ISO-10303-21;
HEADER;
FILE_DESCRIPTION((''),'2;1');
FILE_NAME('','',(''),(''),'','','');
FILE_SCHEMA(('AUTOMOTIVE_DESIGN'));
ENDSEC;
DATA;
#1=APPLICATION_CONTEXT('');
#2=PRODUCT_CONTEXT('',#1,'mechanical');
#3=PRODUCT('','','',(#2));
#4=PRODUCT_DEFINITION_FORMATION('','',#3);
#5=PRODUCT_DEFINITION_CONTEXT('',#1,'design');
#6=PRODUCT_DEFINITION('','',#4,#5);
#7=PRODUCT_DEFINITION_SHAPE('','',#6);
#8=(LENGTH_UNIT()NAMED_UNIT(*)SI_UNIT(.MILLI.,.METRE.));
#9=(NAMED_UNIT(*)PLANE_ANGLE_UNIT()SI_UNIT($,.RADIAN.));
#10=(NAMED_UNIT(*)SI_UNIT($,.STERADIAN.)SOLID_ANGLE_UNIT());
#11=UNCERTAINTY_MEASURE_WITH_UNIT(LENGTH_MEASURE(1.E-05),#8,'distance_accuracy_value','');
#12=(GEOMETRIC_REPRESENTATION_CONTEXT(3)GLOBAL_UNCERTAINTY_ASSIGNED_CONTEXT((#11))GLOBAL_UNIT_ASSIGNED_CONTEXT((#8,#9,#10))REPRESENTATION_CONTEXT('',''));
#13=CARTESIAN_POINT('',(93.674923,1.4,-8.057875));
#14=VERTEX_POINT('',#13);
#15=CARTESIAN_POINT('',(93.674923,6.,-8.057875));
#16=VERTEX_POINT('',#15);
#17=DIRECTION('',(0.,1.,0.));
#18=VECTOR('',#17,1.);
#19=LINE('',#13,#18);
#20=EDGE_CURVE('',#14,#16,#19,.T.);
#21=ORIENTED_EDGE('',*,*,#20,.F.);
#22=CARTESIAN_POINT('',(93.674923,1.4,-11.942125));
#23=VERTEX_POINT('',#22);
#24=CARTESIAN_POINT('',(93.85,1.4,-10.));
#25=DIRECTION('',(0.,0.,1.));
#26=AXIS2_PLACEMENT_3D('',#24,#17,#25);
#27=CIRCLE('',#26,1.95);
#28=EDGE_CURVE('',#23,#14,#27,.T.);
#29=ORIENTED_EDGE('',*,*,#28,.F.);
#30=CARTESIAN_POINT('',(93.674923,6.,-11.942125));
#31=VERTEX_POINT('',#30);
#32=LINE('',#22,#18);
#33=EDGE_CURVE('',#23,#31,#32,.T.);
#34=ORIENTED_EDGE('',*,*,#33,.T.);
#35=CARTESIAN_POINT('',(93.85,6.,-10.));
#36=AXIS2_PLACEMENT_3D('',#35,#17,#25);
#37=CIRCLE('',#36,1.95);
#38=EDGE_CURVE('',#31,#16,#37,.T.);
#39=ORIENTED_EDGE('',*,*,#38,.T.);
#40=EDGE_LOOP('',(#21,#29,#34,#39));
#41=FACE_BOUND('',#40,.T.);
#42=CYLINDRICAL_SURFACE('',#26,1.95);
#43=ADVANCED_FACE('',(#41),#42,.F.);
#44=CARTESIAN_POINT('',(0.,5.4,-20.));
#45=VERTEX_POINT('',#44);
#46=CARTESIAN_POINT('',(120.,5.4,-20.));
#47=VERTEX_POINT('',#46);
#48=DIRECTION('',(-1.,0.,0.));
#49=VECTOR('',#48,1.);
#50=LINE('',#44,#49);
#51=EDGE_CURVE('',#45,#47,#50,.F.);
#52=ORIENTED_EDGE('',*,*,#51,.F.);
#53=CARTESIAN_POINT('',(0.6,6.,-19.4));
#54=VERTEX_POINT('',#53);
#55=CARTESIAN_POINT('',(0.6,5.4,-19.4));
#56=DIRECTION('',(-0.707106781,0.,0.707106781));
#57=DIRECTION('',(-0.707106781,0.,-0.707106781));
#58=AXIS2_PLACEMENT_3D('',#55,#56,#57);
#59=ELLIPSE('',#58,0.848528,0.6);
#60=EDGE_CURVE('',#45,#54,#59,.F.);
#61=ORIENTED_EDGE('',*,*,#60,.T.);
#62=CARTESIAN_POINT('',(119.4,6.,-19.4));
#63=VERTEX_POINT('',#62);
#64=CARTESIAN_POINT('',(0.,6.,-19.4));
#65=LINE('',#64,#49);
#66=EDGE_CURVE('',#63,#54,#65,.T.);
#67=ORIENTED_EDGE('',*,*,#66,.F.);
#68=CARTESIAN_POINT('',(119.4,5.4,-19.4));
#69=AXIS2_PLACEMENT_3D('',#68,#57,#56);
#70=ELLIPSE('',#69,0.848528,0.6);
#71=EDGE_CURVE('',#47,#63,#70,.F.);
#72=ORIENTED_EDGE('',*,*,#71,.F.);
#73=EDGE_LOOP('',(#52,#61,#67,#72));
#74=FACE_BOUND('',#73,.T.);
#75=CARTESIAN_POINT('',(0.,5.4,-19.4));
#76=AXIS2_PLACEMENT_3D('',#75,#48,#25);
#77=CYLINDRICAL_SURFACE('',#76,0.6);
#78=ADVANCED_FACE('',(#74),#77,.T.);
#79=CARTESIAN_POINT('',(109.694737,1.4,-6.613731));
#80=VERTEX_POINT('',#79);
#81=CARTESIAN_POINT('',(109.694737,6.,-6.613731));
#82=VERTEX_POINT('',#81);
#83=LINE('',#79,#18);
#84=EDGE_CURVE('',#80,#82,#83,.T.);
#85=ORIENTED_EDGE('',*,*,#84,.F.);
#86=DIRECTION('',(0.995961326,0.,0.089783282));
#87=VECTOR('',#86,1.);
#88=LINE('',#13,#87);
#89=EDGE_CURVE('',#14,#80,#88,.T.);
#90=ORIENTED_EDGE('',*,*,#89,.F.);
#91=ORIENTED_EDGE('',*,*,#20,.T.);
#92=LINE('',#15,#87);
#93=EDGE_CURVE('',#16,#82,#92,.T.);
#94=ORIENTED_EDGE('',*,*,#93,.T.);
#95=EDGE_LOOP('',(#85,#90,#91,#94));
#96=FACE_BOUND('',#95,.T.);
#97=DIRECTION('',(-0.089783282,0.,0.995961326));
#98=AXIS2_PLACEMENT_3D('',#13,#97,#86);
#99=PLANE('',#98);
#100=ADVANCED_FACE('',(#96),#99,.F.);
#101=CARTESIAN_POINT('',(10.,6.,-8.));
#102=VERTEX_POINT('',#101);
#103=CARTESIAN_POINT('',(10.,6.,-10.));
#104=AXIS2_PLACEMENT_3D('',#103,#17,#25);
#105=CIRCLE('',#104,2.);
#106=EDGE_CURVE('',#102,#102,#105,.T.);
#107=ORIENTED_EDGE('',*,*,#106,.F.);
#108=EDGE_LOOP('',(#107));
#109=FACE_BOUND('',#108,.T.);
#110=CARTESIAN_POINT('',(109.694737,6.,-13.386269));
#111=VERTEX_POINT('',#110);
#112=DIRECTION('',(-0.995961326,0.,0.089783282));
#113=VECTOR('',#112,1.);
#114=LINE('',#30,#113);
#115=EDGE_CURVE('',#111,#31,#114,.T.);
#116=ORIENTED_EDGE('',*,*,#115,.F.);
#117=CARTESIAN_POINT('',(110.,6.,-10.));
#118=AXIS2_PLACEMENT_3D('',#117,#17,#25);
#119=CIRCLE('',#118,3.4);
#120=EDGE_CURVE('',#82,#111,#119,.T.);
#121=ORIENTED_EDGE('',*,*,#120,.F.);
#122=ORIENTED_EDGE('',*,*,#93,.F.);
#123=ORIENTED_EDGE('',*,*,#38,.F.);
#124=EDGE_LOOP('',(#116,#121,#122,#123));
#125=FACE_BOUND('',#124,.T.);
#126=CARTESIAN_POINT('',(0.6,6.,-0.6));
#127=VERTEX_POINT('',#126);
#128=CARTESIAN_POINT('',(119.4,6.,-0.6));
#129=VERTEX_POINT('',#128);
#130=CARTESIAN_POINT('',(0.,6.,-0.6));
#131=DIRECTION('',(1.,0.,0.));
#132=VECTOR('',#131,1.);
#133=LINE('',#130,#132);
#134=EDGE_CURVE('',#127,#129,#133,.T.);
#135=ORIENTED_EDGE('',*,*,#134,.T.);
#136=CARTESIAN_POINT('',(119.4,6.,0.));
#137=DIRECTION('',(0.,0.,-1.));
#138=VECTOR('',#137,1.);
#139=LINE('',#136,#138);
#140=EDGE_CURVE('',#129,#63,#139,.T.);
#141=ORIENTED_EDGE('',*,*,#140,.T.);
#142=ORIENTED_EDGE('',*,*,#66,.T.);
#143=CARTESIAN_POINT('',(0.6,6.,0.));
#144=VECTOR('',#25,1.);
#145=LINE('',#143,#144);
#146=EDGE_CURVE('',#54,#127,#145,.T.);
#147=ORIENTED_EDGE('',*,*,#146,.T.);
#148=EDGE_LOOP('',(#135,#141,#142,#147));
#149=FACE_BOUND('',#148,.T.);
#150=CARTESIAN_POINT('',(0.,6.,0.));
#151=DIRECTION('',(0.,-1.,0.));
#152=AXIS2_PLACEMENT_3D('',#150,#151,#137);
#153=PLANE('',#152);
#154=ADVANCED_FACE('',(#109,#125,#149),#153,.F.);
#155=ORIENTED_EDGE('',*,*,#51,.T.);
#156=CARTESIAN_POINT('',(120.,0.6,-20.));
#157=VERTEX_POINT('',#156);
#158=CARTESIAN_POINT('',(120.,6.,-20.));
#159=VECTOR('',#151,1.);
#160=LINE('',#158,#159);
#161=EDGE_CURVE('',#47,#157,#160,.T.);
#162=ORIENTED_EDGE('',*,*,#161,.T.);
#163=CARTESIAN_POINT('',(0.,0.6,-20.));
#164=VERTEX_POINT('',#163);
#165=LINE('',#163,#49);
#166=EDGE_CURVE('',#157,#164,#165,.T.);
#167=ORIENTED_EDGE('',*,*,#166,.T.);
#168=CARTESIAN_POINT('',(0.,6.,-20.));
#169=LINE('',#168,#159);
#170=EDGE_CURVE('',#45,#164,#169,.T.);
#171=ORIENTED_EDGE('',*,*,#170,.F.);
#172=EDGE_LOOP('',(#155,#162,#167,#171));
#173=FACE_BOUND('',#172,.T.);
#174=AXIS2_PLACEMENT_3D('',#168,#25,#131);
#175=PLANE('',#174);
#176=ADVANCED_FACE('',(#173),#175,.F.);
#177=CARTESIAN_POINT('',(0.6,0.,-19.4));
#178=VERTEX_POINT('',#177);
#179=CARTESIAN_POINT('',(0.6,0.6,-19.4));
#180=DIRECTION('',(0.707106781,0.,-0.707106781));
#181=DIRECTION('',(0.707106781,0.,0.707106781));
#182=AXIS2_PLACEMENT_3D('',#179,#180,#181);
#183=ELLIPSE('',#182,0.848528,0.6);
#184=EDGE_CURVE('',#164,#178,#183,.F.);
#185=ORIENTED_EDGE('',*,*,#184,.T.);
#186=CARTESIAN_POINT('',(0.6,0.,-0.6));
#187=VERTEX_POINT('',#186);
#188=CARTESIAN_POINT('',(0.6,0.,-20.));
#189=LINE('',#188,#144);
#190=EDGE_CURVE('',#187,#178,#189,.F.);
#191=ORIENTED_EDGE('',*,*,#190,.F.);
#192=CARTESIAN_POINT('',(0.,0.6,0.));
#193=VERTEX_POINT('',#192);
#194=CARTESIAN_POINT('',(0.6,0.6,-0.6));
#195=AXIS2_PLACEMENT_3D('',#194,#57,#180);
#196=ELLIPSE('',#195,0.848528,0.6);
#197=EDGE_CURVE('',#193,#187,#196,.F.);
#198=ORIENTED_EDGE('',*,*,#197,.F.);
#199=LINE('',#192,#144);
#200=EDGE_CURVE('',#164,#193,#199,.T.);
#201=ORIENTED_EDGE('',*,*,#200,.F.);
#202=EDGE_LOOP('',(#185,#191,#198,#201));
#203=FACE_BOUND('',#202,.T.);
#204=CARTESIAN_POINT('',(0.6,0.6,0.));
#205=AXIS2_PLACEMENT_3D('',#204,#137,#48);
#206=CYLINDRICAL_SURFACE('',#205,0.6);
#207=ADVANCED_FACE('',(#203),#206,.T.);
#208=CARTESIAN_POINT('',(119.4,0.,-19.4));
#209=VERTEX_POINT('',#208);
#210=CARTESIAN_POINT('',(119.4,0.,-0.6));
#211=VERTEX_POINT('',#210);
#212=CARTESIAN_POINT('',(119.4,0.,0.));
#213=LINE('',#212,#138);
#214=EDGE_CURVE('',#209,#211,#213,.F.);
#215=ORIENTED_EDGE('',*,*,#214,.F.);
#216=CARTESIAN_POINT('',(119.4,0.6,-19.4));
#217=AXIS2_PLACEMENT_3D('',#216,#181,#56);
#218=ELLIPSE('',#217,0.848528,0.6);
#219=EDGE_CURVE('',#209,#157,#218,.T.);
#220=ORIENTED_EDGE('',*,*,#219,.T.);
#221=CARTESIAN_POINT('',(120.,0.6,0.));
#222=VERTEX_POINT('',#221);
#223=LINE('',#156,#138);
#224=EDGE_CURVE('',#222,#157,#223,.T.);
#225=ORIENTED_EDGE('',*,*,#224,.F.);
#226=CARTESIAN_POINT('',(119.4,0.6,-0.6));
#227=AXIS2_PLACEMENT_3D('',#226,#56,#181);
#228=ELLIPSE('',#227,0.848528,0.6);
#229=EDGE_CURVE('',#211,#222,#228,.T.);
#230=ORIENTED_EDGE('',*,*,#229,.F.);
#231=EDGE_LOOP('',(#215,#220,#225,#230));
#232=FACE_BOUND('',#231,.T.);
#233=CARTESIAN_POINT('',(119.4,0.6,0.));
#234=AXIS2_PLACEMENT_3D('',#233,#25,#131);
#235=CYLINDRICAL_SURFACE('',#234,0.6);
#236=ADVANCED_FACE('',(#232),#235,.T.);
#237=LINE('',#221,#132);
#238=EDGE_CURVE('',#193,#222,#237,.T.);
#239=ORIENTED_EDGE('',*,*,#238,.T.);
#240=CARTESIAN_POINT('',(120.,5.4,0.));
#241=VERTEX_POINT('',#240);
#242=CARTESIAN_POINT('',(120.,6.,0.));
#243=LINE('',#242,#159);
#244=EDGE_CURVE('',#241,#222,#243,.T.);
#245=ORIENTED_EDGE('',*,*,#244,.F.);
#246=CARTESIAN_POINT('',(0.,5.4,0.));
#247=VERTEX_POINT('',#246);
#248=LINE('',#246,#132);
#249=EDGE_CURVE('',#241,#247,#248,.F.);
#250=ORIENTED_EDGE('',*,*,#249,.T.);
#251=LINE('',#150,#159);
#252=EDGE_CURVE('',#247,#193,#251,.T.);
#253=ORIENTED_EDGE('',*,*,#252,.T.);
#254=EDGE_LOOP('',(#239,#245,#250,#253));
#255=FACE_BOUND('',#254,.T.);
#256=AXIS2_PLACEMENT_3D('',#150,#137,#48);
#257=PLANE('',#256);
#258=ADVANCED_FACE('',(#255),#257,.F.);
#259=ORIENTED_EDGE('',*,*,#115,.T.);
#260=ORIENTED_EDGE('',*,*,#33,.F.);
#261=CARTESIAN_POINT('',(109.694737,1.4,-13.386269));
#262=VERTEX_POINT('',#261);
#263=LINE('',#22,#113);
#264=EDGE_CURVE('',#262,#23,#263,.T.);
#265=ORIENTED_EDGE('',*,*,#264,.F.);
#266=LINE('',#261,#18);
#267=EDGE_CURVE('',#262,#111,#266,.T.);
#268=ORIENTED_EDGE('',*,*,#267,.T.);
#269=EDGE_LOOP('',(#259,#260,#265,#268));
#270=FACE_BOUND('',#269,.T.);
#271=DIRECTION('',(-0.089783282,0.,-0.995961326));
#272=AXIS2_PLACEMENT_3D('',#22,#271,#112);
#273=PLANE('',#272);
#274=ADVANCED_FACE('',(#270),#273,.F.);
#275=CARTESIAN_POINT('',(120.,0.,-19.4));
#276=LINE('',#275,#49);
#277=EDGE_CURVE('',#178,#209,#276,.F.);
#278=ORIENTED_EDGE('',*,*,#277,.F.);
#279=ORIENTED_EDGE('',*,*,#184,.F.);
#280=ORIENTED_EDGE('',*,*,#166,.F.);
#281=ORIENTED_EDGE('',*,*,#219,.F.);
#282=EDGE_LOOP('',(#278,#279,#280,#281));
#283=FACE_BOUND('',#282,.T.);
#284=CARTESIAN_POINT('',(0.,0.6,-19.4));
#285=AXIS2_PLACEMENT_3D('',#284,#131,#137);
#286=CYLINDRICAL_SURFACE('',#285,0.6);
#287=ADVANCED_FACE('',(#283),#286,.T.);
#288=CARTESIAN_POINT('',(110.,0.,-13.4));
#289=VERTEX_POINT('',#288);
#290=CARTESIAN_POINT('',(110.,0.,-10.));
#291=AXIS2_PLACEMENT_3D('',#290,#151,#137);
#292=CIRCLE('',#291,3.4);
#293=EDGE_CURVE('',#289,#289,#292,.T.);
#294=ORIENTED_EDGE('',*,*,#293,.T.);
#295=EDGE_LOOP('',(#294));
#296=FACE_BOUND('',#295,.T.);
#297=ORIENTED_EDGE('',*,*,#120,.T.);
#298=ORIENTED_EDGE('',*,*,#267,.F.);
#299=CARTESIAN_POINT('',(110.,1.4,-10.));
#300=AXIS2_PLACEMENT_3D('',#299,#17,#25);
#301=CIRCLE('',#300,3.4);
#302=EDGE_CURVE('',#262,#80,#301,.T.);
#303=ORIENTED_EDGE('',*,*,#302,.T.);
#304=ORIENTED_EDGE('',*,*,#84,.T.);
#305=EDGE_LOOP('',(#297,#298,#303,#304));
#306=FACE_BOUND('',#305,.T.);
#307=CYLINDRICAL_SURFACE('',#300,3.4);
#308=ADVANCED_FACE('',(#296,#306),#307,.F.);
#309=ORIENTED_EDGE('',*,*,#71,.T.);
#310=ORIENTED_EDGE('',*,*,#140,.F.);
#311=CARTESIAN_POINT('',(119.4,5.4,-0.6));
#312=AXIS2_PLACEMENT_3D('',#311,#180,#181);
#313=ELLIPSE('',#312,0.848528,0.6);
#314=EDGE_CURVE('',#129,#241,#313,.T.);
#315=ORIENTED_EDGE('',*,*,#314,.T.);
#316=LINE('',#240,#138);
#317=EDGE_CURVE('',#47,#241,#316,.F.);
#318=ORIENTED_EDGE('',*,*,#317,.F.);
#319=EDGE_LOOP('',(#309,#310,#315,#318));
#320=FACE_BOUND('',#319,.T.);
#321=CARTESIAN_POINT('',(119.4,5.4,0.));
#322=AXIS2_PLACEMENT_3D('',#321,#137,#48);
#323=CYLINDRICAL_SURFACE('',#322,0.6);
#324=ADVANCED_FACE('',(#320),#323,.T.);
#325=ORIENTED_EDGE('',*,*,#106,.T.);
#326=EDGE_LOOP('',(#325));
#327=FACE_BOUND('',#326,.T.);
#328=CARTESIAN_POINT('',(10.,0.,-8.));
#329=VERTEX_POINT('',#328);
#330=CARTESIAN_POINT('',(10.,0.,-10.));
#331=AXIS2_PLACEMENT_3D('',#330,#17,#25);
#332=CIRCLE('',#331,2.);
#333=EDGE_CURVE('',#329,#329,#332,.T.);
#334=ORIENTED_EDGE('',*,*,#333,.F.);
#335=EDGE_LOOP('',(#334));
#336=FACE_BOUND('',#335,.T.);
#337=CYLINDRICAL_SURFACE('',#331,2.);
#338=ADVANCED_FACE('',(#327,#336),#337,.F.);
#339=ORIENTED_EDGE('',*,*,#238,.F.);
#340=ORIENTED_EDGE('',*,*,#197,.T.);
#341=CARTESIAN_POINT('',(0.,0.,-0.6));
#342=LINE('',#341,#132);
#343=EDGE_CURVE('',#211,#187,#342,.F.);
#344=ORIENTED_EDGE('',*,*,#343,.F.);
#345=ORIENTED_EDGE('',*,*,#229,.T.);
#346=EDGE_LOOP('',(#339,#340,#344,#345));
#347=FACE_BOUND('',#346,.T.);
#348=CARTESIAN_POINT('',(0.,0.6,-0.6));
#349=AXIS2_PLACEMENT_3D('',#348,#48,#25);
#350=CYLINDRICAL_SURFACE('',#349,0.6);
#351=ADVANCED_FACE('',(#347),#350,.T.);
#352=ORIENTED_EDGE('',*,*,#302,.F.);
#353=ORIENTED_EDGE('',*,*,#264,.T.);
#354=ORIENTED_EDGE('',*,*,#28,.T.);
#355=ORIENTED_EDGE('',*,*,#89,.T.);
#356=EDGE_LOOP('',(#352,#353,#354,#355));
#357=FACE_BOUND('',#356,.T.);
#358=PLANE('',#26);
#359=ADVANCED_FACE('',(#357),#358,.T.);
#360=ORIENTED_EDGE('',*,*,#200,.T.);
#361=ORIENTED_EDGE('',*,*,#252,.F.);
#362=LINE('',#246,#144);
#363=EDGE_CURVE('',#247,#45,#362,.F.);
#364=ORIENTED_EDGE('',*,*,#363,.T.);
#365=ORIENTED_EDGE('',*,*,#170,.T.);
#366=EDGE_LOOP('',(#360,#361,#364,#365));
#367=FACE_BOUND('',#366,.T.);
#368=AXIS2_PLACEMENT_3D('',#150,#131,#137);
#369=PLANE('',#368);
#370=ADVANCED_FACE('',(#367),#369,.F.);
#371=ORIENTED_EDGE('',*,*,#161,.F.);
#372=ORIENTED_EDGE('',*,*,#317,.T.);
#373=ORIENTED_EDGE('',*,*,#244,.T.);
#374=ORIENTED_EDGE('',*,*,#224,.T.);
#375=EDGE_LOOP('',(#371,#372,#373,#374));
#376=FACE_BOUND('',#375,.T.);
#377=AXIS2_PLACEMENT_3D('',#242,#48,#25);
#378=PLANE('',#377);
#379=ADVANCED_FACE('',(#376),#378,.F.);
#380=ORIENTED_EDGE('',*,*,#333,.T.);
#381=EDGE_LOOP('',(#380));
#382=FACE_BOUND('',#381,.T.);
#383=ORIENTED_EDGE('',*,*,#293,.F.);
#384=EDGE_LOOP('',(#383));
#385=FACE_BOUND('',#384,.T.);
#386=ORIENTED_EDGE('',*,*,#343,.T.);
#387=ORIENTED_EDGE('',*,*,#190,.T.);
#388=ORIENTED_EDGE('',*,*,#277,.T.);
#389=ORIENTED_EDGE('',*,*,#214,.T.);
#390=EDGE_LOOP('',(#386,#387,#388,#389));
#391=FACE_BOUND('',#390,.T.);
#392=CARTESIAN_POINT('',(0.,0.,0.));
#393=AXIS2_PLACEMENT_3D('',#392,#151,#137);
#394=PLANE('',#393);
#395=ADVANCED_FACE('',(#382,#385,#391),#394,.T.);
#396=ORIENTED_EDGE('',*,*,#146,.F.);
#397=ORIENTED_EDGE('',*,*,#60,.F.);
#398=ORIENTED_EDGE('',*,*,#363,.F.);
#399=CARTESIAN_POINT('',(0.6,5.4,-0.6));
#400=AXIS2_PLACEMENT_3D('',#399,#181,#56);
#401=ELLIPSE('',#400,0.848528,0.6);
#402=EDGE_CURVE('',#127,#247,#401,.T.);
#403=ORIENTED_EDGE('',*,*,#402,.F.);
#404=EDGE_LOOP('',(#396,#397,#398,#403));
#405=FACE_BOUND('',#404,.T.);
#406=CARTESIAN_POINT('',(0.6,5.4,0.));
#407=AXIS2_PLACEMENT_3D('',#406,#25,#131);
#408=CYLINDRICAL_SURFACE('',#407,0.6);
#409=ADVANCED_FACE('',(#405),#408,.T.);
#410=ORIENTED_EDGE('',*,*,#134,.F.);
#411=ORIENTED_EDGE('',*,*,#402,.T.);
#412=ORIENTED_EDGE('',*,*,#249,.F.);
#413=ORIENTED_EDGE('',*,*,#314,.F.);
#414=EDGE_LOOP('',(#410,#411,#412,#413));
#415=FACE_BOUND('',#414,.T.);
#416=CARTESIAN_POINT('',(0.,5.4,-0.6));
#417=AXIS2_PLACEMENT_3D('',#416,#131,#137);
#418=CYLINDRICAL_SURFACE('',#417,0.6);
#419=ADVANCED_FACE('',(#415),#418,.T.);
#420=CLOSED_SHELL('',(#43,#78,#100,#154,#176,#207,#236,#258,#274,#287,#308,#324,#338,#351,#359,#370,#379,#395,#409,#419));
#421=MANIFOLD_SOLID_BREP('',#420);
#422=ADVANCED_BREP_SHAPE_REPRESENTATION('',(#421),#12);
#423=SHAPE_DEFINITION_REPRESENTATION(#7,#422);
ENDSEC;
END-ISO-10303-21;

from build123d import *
from build123d.topology import SkipClean

# Parameters (mm, degrees)
SKETCH1_W           = 120
SKETCH1_H           = 20
BOSS_EXTRUDE1_DEPTH = 6
CUT_EXTRUDE1_DEPTH  = 4.6
SKETCH3_R           = 3.4
CUT_EXTRUDE2_DEPTH  = 4.6
SKETCH4_R           = 2
CUT_EXTRUDE3_DEPTH  = 122.803119829
FILLET1_R           = 0.6


with BuildPart() as part:
    # Sketch1 → Boss-Extrude1 (new body)
    with BuildSketch(Plane(origin=(0, 0, 0), x_dir=(1, 0, 0), z_dir=(0, 1, 0))):
        with Locations((60, 10)):
            Rectangle(SKETCH1_W, SKETCH1_H)
    extrude(amount=BOSS_EXTRUDE1_DEPTH)

    # Sketch2 → Cut-Extrude1 (cut)
    with BuildSketch(Plane(origin=(0, 6, 0), x_dir=(1, 0, 0), z_dir=(0, 1, 0))):
        with BuildLine():
            Line((93.674922601, 11.942124585), (109.694736842, 13.386268507))
            ThreePointArc((109.694736842, 13.386268507), (113.4, 10), (109.694736842, 6.613731493))
            Line((109.694736842, 6.613731493), (93.674922601, 8.057875415))
            ThreePointArc((93.674922601, 8.057875415), (91.9, 10), (93.674922601, 11.942124585))
        make_face()
    extrude(amount=-CUT_EXTRUDE1_DEPTH, mode=Mode.SUBTRACT)

    # Sketch3 → Cut-Extrude2 (cut)
    with SkipClean():  # the faces are left unmerged after this step: merging them gives an invalid solid
        with BuildSketch(Plane(origin=(0, 1.4, 0), x_dir=(1, 0, 0), z_dir=(0, 1, 0))):
            with Locations(Location((110, 10, 0), (0, 0, 264.848860425))):
                Circle(SKETCH3_R)
        extrude(amount=-CUT_EXTRUDE2_DEPTH, mode=Mode.SUBTRACT)

    # Sketch4 → Cut-Extrude3 (cut, through all)
    with SkipClean():  # the faces are left unmerged after this step: merging them gives an invalid solid
        with BuildSketch(Plane(origin=(0, 6, 0), x_dir=(1, 0, 0), z_dir=(0, 1, 0))):
            with Locations(Location((10, 10, 0), (0, 0, 270))):
                Circle(SKETCH4_R)
        extrude(amount=-CUT_EXTRUDE3_DEPTH, mode=Mode.SUBTRACT)

    # Fillet1
    fillet1_edges = [part.edges().sort_by_distance(p)[0] for p in [
        (120, 6, -10),
        (60, 6, -20),
        (0, 6, -10),
        (60, 0, -20),
        (120, 0, -10),
        (60, 0, 0),
        (0, 0, -10),
        (60, 6, 0),
    ]]
    fillet(fillet1_edges, radius=FILLET1_R)


solid = part.part
